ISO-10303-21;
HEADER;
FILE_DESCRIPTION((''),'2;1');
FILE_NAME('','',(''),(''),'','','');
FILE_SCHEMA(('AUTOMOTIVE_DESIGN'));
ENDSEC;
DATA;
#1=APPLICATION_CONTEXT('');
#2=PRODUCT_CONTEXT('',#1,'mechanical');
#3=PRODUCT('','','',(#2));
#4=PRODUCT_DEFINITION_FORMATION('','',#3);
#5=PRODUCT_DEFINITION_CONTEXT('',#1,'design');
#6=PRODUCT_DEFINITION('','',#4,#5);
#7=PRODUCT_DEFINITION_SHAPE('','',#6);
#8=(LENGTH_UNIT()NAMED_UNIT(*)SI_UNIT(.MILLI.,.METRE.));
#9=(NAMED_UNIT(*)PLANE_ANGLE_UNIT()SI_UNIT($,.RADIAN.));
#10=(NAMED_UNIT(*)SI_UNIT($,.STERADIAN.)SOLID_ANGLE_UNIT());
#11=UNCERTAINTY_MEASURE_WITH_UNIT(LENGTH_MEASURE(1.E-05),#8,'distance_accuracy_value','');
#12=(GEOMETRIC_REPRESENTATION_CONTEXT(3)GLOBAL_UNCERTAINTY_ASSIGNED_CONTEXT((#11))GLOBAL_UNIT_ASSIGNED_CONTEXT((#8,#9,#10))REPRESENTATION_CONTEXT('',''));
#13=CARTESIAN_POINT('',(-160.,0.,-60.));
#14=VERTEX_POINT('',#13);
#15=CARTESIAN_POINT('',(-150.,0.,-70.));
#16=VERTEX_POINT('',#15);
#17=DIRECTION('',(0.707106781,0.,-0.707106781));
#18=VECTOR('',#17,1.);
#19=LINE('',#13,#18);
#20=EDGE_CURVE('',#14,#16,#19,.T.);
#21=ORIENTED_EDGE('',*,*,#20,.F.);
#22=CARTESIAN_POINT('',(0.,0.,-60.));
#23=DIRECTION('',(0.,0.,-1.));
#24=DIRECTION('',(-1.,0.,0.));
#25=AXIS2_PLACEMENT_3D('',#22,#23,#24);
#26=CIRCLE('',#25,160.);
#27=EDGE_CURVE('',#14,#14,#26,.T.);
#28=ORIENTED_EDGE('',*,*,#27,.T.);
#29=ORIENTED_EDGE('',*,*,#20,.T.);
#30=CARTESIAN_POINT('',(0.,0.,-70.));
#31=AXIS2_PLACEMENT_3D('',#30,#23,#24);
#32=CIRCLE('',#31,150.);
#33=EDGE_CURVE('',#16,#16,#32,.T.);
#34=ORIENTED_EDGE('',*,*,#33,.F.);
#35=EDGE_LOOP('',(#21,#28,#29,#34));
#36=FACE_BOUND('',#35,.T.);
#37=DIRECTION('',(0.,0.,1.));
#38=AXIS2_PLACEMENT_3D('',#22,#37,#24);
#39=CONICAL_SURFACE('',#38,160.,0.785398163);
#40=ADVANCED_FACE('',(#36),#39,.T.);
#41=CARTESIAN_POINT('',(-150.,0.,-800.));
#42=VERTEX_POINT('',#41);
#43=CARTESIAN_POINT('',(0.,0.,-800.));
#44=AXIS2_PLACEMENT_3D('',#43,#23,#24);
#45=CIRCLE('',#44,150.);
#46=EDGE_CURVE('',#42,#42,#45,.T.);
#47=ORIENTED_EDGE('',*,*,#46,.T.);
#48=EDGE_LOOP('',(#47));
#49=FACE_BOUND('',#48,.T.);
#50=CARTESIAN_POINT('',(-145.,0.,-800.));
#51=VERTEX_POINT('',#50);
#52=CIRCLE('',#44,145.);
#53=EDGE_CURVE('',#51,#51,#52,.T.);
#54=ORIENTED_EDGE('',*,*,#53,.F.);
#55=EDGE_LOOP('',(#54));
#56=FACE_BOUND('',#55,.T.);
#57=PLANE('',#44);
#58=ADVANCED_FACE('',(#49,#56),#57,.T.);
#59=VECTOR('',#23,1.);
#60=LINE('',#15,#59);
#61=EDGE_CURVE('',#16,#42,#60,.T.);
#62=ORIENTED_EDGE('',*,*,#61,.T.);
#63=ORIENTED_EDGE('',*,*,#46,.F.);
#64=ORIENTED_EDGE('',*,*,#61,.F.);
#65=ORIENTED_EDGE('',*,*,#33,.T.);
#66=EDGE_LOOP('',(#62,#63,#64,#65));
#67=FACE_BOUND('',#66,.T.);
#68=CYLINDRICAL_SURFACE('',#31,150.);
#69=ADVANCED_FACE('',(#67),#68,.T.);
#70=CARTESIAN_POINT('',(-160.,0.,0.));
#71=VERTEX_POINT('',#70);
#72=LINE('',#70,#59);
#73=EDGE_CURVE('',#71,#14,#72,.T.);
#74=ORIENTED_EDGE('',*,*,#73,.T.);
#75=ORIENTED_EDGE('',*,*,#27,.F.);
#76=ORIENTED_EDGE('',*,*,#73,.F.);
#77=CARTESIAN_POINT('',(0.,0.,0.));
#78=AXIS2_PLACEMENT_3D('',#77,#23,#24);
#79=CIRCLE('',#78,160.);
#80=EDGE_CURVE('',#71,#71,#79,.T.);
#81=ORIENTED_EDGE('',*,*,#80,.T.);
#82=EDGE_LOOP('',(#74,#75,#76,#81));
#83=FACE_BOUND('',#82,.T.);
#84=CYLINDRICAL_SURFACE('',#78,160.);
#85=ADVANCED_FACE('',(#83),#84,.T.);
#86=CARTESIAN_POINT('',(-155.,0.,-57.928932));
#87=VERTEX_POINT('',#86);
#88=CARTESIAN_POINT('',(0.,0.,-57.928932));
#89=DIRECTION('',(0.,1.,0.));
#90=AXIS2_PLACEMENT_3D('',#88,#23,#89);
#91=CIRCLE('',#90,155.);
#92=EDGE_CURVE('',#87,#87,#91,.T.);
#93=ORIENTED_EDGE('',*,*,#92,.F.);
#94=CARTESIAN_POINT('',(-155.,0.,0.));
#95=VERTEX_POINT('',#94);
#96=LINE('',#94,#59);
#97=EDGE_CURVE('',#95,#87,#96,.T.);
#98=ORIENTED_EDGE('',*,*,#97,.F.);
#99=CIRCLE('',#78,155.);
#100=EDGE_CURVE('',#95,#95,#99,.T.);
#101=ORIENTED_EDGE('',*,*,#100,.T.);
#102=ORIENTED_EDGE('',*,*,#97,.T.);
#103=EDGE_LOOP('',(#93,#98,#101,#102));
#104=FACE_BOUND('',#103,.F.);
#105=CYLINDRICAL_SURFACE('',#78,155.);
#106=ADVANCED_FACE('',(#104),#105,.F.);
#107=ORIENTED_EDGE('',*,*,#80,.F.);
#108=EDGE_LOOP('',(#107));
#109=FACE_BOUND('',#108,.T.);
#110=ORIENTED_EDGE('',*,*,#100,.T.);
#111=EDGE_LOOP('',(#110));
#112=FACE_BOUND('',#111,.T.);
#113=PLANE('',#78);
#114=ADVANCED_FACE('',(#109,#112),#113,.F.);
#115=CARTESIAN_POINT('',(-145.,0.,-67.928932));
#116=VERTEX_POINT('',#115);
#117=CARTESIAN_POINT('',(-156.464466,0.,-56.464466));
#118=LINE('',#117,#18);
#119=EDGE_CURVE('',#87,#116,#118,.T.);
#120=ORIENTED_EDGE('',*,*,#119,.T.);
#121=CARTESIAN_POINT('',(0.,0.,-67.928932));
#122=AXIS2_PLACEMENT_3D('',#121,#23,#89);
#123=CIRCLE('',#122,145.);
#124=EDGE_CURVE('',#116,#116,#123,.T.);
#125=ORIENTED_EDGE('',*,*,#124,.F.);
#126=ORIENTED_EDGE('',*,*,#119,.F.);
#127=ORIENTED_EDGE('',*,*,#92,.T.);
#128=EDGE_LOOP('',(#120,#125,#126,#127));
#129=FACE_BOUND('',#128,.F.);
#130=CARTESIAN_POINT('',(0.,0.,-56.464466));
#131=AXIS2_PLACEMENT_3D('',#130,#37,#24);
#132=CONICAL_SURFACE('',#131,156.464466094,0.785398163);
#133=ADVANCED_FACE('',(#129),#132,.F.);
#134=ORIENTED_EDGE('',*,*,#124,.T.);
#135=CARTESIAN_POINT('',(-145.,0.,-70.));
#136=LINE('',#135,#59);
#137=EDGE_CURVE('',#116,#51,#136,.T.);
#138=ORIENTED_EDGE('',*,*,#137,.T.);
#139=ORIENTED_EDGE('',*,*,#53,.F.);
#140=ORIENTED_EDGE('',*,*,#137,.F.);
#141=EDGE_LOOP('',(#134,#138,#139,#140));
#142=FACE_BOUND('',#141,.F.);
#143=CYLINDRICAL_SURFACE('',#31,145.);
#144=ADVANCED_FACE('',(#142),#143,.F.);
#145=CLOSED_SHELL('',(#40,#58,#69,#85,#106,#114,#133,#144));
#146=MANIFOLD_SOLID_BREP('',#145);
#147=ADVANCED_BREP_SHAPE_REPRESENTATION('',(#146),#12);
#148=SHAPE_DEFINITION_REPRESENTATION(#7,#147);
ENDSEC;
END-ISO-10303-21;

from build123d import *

# Parameters (mm, degrees)
F2_T = -5


with BuildPart() as f1:
    # F0 (on Front) → F1 (revolve)
    with BuildSketch(Plane.XZ):
        Polygon((0, 0), (-160, 0), (-160, -60), (-150, -70), (-150, -800), (0, -800), align=None)
    revolve(axis=Axis((0, 0, -400), (0, 0, -1)))

    # F2
    f2_openings = [f1.faces().sort_by_distance(p)[0] for p in [
        (0, 0, 0),
        (0, 0, -800),
    ]]
    offset(amount=F2_T, openings=f2_openings, kind=Kind.INTERSECTION)


solid = f1.part
